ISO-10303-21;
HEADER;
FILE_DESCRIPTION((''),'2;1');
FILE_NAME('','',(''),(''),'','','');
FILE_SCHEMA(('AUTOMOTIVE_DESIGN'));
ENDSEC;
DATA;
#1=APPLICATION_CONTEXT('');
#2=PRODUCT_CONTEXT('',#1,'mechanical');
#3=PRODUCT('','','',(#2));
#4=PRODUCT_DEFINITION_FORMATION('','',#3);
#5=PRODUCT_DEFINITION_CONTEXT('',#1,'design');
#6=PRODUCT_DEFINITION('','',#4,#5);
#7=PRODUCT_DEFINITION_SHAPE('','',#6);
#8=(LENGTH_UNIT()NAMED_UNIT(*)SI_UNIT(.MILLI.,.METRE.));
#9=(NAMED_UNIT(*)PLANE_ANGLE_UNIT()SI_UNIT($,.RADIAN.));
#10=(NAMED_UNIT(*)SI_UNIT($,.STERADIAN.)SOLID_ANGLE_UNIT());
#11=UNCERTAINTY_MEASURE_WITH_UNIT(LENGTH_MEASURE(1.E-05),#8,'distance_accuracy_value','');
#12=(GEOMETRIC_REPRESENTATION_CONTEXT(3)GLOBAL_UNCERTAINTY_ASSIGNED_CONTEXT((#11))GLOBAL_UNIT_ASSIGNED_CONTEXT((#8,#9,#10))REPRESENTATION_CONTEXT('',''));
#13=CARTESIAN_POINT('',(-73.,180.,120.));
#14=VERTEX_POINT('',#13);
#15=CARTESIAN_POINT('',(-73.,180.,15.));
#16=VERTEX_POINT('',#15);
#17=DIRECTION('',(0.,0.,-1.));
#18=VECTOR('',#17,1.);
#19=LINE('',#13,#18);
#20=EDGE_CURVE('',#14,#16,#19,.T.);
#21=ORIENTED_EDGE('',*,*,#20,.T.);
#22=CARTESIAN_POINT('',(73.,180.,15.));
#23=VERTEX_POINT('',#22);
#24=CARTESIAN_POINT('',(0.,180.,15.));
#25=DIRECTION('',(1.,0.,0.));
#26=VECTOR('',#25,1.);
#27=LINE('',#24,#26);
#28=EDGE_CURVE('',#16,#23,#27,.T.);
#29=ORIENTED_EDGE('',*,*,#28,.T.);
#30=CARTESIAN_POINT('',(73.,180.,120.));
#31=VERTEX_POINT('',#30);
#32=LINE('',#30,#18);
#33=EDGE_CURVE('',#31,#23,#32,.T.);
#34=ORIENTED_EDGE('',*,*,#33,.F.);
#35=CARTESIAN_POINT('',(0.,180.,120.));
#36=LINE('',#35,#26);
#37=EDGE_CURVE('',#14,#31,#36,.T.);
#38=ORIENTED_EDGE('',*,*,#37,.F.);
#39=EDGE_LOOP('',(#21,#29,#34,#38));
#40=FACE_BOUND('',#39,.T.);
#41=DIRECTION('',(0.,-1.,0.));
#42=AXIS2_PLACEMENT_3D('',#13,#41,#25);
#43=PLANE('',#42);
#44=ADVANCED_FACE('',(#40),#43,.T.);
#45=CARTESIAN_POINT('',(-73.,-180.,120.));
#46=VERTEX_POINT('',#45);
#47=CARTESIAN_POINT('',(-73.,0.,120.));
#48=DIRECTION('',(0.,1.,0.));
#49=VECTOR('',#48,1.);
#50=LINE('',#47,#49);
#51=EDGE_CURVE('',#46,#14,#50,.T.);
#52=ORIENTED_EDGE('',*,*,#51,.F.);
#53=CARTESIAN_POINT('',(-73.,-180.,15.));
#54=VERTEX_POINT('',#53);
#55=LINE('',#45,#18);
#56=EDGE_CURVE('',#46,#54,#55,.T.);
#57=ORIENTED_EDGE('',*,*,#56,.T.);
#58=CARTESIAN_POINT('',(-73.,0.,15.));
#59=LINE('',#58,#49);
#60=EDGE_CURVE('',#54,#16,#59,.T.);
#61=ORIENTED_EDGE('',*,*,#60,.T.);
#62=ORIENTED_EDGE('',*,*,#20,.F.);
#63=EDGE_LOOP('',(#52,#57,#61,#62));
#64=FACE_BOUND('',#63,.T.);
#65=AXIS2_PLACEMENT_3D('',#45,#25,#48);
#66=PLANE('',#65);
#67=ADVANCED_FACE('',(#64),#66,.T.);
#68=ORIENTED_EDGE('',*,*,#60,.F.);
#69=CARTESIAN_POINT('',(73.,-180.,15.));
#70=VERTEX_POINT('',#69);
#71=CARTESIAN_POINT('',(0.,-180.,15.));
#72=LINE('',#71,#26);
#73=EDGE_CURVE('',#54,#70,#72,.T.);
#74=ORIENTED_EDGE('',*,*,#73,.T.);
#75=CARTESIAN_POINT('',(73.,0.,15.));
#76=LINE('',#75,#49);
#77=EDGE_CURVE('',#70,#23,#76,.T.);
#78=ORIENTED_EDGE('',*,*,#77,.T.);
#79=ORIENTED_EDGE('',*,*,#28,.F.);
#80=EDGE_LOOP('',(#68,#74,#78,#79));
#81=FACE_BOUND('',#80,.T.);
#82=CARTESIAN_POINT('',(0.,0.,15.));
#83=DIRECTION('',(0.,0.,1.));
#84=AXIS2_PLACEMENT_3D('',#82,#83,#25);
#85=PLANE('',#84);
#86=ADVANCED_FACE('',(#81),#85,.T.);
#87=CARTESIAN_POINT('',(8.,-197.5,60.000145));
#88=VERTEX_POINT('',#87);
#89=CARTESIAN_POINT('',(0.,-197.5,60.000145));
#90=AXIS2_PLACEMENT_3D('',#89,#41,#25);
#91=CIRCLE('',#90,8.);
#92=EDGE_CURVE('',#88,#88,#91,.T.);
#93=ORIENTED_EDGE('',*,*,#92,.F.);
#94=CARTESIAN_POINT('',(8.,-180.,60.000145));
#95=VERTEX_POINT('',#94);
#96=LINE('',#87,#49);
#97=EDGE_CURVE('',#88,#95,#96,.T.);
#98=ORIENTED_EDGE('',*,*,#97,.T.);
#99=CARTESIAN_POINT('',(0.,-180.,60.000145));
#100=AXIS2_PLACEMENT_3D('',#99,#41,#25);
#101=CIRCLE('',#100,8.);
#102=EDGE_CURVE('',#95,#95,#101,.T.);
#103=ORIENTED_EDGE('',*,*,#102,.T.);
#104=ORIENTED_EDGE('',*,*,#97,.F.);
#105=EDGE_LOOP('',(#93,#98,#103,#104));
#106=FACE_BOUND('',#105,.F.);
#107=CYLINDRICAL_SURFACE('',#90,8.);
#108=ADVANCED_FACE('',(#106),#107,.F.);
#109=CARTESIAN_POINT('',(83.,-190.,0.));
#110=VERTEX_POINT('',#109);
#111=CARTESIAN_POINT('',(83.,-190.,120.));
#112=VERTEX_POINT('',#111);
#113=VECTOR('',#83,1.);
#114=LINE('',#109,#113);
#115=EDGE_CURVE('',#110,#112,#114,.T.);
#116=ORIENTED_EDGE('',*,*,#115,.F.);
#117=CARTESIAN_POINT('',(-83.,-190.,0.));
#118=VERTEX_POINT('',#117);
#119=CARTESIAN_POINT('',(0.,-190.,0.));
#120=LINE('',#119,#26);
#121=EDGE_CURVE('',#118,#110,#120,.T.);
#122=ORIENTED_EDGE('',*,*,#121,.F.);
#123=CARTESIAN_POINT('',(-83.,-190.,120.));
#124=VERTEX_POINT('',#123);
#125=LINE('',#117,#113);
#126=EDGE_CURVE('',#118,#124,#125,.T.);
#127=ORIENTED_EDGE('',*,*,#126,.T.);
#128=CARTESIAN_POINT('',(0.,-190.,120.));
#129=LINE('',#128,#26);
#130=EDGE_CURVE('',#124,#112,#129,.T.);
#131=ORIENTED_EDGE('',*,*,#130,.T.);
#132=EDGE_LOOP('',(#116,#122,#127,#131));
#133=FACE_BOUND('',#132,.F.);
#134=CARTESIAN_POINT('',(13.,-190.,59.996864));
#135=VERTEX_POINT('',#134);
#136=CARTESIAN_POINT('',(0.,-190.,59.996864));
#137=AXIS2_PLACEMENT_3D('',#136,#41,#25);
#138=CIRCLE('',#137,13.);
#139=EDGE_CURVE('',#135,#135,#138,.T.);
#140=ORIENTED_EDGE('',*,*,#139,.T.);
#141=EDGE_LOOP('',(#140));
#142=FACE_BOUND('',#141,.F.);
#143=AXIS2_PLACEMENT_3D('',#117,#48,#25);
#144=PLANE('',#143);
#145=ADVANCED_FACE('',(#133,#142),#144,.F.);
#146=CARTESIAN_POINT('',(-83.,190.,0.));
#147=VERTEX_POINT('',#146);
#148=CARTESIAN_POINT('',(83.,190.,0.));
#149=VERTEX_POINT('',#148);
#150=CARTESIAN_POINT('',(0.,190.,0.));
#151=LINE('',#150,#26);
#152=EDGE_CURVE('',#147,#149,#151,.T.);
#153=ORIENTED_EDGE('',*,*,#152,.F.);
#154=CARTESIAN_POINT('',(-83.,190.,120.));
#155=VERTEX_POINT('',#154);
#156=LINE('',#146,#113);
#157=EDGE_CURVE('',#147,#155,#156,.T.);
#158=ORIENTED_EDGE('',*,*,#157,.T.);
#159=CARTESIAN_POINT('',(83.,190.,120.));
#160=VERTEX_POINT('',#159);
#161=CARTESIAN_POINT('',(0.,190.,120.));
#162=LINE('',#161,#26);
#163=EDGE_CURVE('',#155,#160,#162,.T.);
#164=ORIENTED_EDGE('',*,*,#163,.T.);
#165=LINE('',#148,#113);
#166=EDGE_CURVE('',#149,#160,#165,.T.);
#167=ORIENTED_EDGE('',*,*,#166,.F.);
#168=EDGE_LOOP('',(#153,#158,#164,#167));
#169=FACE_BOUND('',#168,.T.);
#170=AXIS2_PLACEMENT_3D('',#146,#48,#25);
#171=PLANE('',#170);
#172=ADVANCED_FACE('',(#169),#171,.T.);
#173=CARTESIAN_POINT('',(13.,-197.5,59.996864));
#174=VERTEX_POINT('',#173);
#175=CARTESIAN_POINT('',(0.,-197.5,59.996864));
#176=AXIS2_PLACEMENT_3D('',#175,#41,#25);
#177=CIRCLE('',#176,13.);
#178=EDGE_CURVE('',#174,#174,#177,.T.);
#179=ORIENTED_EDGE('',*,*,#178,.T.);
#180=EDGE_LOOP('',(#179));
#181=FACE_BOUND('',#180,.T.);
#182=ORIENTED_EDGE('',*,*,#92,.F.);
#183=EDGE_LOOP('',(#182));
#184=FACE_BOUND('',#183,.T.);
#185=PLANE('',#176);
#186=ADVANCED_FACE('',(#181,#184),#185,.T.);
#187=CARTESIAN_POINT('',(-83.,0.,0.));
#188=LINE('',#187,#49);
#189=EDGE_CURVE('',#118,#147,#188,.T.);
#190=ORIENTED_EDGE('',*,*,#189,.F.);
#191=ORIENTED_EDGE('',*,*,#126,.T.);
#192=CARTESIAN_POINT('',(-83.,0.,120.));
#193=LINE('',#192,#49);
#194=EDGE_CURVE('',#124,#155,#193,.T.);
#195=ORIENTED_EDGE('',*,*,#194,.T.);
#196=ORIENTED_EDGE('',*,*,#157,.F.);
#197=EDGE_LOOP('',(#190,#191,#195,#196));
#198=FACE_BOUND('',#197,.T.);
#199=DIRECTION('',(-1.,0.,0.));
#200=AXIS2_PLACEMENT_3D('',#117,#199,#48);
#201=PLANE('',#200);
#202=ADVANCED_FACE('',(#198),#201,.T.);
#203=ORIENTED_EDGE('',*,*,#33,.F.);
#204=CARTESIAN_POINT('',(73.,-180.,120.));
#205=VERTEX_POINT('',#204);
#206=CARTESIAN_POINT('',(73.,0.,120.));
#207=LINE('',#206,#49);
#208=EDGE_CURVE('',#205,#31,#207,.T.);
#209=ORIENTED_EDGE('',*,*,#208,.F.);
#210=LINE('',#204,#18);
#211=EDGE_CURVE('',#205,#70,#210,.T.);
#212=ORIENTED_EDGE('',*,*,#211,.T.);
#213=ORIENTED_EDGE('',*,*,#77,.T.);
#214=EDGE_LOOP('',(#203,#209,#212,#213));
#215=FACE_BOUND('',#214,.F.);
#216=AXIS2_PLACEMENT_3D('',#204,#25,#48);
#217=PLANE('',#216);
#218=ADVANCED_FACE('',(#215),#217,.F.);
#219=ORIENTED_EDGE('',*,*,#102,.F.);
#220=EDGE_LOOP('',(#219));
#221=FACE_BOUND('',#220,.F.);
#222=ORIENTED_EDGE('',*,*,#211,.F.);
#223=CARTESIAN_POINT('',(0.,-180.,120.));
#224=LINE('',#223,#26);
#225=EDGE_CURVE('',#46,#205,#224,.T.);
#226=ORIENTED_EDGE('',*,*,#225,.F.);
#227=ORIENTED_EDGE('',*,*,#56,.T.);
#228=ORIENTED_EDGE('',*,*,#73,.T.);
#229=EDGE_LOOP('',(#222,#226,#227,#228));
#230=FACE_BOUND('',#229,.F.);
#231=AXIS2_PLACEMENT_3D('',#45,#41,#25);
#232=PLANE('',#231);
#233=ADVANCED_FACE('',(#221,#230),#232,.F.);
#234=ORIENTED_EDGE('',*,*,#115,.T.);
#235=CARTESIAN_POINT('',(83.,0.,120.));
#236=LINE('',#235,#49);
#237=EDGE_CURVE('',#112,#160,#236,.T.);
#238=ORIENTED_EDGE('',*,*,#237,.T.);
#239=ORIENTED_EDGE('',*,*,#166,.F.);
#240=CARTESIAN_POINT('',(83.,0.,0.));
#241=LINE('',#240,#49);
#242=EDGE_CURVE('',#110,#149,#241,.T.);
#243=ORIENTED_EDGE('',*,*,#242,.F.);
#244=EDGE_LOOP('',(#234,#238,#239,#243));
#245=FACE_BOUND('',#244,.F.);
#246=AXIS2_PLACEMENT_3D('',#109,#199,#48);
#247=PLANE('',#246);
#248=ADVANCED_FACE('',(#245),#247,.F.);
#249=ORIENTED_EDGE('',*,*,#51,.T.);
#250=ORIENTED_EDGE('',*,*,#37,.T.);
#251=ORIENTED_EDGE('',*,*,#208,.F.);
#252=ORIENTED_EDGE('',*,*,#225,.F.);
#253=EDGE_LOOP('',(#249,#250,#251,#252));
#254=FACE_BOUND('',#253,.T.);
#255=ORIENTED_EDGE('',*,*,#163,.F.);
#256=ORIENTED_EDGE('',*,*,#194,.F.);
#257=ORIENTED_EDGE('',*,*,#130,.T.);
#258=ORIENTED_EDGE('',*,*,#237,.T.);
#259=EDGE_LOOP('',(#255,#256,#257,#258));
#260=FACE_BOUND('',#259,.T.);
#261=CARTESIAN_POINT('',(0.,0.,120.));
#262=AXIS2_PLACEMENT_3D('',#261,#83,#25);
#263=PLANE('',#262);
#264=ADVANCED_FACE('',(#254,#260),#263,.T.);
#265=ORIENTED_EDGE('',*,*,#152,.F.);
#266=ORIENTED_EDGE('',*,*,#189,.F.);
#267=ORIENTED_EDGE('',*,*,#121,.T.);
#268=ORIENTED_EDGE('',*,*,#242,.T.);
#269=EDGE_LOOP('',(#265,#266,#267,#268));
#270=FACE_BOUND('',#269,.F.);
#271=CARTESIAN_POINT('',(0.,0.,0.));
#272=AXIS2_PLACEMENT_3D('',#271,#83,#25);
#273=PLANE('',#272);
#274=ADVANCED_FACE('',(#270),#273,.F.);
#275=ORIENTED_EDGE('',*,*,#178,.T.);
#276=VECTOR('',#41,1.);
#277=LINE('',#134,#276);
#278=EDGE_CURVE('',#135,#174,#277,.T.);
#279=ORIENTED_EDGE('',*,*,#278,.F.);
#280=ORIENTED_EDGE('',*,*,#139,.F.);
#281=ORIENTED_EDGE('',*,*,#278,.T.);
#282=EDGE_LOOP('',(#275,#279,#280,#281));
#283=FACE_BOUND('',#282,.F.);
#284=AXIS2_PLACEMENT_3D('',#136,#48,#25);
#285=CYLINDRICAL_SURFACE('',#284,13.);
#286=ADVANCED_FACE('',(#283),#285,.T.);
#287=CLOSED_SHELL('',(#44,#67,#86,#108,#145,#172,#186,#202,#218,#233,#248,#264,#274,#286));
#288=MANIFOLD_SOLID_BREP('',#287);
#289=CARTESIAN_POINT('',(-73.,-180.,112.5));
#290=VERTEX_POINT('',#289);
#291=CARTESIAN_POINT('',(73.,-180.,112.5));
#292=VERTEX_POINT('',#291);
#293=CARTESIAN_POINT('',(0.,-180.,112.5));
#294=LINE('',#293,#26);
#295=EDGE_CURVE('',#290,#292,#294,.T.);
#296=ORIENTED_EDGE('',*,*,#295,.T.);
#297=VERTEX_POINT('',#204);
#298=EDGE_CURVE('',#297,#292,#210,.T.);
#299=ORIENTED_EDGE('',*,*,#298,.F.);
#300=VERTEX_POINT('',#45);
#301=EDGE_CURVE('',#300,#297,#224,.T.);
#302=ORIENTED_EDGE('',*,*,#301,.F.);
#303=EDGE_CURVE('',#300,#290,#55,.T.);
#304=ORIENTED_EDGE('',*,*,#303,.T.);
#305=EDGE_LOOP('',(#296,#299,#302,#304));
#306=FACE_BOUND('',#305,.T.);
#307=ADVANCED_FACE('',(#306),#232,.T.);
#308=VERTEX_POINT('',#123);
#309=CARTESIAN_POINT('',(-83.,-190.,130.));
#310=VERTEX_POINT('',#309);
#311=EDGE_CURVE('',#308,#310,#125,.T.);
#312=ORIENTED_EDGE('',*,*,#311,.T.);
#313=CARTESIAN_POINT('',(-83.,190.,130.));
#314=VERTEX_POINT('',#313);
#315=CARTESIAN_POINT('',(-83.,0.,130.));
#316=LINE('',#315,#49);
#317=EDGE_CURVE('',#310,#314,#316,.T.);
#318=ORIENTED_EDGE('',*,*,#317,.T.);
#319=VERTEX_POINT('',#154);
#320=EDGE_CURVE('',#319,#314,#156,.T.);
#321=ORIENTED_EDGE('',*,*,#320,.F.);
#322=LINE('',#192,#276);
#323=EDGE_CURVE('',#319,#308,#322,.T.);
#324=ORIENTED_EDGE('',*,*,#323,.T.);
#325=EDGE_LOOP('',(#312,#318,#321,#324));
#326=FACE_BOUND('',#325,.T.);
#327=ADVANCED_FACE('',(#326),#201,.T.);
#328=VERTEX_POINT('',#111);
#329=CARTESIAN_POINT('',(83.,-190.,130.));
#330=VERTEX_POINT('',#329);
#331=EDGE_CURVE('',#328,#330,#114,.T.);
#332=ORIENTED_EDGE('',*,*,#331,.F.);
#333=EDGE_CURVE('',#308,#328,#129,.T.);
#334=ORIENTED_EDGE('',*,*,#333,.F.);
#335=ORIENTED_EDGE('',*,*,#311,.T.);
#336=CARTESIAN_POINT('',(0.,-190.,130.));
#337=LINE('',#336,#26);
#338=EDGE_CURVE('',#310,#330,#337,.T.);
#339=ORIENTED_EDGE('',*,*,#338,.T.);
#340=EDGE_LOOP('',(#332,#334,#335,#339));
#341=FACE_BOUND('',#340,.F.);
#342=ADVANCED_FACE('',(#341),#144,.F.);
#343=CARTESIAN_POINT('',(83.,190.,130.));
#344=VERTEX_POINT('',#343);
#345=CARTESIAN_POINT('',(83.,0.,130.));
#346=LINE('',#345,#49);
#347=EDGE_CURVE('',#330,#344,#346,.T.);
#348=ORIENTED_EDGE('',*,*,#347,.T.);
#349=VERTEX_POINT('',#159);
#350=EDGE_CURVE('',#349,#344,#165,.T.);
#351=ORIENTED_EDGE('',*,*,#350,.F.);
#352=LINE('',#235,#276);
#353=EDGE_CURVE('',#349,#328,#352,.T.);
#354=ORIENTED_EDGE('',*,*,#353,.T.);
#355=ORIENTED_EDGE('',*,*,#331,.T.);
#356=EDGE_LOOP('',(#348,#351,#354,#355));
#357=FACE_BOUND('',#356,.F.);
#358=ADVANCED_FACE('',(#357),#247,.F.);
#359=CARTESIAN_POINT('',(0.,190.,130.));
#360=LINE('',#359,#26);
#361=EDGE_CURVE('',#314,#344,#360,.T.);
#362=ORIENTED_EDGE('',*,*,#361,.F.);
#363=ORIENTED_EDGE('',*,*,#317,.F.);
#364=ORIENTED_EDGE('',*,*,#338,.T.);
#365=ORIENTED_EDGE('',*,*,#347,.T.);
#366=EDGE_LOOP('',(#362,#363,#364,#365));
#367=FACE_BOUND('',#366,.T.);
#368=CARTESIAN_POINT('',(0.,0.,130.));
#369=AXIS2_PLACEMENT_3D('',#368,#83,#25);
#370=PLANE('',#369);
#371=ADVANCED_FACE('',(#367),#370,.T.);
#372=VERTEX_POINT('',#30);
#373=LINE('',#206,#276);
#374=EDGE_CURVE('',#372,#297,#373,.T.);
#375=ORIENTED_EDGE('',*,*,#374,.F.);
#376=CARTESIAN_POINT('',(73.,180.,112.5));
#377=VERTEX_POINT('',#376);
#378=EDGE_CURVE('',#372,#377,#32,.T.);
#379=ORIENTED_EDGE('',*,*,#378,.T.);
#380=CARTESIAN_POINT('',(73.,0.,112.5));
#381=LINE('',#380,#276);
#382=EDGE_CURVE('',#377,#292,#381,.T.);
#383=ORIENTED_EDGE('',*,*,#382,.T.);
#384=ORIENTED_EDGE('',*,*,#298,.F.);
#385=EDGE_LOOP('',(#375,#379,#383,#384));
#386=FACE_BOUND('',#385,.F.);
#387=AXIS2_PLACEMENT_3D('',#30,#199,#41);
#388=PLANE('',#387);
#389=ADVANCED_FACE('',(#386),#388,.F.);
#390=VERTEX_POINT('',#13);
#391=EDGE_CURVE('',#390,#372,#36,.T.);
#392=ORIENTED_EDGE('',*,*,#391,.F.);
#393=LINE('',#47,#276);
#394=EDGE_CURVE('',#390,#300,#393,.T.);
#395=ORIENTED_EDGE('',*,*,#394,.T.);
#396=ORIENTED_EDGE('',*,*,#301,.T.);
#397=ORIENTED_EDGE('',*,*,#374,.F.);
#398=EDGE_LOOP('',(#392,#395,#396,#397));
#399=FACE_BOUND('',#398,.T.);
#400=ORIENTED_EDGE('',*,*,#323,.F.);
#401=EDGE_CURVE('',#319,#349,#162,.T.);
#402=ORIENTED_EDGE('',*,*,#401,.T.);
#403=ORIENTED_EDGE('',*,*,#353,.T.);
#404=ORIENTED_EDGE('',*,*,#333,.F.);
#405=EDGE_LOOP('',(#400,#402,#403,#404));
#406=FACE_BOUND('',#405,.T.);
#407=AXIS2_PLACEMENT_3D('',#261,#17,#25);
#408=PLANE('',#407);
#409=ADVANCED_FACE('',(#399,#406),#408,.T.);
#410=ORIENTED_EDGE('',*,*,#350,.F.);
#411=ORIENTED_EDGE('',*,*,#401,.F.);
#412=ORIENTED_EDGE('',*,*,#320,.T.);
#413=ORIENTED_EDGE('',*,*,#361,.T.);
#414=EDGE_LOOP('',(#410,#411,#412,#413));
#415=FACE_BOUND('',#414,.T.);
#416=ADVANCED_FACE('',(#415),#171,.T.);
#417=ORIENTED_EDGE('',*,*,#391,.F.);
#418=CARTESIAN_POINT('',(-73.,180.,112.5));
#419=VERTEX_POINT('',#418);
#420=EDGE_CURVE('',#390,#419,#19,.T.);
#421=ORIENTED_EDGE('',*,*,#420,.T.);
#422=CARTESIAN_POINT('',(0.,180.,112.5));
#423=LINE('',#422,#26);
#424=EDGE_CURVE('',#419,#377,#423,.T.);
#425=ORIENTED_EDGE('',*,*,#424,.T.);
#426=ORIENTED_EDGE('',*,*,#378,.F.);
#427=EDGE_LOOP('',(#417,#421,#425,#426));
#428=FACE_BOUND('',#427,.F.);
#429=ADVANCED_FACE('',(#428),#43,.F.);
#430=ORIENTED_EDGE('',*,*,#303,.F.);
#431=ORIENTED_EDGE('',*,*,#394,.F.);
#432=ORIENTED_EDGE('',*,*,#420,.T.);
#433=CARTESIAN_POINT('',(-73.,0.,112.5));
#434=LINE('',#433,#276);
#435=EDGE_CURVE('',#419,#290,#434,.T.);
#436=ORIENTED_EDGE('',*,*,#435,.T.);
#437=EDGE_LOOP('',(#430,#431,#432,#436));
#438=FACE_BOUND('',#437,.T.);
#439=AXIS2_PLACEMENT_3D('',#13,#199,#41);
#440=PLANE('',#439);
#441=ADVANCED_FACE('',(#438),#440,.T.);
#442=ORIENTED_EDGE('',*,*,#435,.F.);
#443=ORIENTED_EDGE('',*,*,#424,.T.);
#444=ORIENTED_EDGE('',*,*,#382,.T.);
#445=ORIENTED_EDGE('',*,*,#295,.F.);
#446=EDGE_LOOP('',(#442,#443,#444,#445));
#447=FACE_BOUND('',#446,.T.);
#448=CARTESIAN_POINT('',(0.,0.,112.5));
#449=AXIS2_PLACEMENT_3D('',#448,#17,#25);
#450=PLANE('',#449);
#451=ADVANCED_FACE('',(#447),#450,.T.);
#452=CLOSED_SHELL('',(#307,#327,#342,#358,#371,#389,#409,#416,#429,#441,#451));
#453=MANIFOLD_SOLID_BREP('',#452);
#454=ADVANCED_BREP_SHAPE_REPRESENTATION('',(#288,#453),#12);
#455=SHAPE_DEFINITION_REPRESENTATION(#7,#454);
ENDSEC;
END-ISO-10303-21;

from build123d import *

# Parameters (mm, degrees)
SKETCH_W        = 166
SKETCH_H        = 380
PAD_DEPTH       = 120
SKETCH001_W     = 146
SKETCH001_H     = 360
POCKET_DEPTH    = 105
SKETCH002_R     = 13
PAD001_DEPTH    = 7.5
SKETCH003_R     = 8
POCKET001_DEPTH = 17.5
SKETCH004_W     = 166
SKETCH004_H     = 380
PAD002_DEPTH    = 130
SKETCH005_W     = 166
SKETCH005_H     = 380
POCKET002_DEPTH = 120
SKETCH006_W     = 146
SKETCH006_H     = 360
PAD003_DEPTH    = 7.5


with BuildPart() as controllerbody:
    # Sketch → Pad (new body)
    with BuildSketch(Plane.XY):
        Rectangle(SKETCH_W, SKETCH_H)
    extrude(amount=PAD_DEPTH)

    # Sketch001 (on Face6 of Pad) → Pocket (cut)
    with BuildSketch(Plane.XY.offset(120)):
        Rectangle(SKETCH001_W, SKETCH001_H)
    extrude(amount=-POCKET_DEPTH, mode=Mode.SUBTRACT)

    # Sketch002 (on Face1 of Pocket) → Pad001 (join)
    with BuildSketch(Plane.XZ.offset(190)):
        with Locations((0, 59.996864)):
            Circle(SKETCH002_R)
    extrude(amount=PAD001_DEPTH)

    # Sketch003 (on Face12 of Pad001) → Pocket001 (cut)
    with BuildSketch(Plane.XZ.offset(197.5)):
        with Locations((0, 60.000145)):
            Circle(SKETCH003_R)
    extrude(amount=-POCKET001_DEPTH, mode=Mode.SUBTRACT)


with BuildPart() as controllerlid:
    # Sketch004 → Pad002 (new body)
    with BuildSketch(Plane.XY):
        Rectangle(SKETCH004_W, SKETCH004_H)
    extrude(amount=PAD002_DEPTH)

    # Sketch005 (on Face5 of Pad002) → Pocket002 (cut)
    with BuildSketch(Plane(origin=(0, 0, 0), x_dir=(1, 0, 0), z_dir=(0, 0, -1))):
        Rectangle(SKETCH005_W, SKETCH005_H)
    extrude(amount=-POCKET002_DEPTH, mode=Mode.SUBTRACT)

    # Sketch006 (on Face2 of Pocket002) → Pad003 (join)
    with BuildSketch(Plane(origin=(0, 0, 120), x_dir=(1, 0, 0), z_dir=(0, 0, -1))):
        Rectangle(SKETCH006_W, SKETCH006_H)
    extrude(amount=PAD003_DEPTH)


solid = Compound([controllerbody.part, controllerlid.part])
